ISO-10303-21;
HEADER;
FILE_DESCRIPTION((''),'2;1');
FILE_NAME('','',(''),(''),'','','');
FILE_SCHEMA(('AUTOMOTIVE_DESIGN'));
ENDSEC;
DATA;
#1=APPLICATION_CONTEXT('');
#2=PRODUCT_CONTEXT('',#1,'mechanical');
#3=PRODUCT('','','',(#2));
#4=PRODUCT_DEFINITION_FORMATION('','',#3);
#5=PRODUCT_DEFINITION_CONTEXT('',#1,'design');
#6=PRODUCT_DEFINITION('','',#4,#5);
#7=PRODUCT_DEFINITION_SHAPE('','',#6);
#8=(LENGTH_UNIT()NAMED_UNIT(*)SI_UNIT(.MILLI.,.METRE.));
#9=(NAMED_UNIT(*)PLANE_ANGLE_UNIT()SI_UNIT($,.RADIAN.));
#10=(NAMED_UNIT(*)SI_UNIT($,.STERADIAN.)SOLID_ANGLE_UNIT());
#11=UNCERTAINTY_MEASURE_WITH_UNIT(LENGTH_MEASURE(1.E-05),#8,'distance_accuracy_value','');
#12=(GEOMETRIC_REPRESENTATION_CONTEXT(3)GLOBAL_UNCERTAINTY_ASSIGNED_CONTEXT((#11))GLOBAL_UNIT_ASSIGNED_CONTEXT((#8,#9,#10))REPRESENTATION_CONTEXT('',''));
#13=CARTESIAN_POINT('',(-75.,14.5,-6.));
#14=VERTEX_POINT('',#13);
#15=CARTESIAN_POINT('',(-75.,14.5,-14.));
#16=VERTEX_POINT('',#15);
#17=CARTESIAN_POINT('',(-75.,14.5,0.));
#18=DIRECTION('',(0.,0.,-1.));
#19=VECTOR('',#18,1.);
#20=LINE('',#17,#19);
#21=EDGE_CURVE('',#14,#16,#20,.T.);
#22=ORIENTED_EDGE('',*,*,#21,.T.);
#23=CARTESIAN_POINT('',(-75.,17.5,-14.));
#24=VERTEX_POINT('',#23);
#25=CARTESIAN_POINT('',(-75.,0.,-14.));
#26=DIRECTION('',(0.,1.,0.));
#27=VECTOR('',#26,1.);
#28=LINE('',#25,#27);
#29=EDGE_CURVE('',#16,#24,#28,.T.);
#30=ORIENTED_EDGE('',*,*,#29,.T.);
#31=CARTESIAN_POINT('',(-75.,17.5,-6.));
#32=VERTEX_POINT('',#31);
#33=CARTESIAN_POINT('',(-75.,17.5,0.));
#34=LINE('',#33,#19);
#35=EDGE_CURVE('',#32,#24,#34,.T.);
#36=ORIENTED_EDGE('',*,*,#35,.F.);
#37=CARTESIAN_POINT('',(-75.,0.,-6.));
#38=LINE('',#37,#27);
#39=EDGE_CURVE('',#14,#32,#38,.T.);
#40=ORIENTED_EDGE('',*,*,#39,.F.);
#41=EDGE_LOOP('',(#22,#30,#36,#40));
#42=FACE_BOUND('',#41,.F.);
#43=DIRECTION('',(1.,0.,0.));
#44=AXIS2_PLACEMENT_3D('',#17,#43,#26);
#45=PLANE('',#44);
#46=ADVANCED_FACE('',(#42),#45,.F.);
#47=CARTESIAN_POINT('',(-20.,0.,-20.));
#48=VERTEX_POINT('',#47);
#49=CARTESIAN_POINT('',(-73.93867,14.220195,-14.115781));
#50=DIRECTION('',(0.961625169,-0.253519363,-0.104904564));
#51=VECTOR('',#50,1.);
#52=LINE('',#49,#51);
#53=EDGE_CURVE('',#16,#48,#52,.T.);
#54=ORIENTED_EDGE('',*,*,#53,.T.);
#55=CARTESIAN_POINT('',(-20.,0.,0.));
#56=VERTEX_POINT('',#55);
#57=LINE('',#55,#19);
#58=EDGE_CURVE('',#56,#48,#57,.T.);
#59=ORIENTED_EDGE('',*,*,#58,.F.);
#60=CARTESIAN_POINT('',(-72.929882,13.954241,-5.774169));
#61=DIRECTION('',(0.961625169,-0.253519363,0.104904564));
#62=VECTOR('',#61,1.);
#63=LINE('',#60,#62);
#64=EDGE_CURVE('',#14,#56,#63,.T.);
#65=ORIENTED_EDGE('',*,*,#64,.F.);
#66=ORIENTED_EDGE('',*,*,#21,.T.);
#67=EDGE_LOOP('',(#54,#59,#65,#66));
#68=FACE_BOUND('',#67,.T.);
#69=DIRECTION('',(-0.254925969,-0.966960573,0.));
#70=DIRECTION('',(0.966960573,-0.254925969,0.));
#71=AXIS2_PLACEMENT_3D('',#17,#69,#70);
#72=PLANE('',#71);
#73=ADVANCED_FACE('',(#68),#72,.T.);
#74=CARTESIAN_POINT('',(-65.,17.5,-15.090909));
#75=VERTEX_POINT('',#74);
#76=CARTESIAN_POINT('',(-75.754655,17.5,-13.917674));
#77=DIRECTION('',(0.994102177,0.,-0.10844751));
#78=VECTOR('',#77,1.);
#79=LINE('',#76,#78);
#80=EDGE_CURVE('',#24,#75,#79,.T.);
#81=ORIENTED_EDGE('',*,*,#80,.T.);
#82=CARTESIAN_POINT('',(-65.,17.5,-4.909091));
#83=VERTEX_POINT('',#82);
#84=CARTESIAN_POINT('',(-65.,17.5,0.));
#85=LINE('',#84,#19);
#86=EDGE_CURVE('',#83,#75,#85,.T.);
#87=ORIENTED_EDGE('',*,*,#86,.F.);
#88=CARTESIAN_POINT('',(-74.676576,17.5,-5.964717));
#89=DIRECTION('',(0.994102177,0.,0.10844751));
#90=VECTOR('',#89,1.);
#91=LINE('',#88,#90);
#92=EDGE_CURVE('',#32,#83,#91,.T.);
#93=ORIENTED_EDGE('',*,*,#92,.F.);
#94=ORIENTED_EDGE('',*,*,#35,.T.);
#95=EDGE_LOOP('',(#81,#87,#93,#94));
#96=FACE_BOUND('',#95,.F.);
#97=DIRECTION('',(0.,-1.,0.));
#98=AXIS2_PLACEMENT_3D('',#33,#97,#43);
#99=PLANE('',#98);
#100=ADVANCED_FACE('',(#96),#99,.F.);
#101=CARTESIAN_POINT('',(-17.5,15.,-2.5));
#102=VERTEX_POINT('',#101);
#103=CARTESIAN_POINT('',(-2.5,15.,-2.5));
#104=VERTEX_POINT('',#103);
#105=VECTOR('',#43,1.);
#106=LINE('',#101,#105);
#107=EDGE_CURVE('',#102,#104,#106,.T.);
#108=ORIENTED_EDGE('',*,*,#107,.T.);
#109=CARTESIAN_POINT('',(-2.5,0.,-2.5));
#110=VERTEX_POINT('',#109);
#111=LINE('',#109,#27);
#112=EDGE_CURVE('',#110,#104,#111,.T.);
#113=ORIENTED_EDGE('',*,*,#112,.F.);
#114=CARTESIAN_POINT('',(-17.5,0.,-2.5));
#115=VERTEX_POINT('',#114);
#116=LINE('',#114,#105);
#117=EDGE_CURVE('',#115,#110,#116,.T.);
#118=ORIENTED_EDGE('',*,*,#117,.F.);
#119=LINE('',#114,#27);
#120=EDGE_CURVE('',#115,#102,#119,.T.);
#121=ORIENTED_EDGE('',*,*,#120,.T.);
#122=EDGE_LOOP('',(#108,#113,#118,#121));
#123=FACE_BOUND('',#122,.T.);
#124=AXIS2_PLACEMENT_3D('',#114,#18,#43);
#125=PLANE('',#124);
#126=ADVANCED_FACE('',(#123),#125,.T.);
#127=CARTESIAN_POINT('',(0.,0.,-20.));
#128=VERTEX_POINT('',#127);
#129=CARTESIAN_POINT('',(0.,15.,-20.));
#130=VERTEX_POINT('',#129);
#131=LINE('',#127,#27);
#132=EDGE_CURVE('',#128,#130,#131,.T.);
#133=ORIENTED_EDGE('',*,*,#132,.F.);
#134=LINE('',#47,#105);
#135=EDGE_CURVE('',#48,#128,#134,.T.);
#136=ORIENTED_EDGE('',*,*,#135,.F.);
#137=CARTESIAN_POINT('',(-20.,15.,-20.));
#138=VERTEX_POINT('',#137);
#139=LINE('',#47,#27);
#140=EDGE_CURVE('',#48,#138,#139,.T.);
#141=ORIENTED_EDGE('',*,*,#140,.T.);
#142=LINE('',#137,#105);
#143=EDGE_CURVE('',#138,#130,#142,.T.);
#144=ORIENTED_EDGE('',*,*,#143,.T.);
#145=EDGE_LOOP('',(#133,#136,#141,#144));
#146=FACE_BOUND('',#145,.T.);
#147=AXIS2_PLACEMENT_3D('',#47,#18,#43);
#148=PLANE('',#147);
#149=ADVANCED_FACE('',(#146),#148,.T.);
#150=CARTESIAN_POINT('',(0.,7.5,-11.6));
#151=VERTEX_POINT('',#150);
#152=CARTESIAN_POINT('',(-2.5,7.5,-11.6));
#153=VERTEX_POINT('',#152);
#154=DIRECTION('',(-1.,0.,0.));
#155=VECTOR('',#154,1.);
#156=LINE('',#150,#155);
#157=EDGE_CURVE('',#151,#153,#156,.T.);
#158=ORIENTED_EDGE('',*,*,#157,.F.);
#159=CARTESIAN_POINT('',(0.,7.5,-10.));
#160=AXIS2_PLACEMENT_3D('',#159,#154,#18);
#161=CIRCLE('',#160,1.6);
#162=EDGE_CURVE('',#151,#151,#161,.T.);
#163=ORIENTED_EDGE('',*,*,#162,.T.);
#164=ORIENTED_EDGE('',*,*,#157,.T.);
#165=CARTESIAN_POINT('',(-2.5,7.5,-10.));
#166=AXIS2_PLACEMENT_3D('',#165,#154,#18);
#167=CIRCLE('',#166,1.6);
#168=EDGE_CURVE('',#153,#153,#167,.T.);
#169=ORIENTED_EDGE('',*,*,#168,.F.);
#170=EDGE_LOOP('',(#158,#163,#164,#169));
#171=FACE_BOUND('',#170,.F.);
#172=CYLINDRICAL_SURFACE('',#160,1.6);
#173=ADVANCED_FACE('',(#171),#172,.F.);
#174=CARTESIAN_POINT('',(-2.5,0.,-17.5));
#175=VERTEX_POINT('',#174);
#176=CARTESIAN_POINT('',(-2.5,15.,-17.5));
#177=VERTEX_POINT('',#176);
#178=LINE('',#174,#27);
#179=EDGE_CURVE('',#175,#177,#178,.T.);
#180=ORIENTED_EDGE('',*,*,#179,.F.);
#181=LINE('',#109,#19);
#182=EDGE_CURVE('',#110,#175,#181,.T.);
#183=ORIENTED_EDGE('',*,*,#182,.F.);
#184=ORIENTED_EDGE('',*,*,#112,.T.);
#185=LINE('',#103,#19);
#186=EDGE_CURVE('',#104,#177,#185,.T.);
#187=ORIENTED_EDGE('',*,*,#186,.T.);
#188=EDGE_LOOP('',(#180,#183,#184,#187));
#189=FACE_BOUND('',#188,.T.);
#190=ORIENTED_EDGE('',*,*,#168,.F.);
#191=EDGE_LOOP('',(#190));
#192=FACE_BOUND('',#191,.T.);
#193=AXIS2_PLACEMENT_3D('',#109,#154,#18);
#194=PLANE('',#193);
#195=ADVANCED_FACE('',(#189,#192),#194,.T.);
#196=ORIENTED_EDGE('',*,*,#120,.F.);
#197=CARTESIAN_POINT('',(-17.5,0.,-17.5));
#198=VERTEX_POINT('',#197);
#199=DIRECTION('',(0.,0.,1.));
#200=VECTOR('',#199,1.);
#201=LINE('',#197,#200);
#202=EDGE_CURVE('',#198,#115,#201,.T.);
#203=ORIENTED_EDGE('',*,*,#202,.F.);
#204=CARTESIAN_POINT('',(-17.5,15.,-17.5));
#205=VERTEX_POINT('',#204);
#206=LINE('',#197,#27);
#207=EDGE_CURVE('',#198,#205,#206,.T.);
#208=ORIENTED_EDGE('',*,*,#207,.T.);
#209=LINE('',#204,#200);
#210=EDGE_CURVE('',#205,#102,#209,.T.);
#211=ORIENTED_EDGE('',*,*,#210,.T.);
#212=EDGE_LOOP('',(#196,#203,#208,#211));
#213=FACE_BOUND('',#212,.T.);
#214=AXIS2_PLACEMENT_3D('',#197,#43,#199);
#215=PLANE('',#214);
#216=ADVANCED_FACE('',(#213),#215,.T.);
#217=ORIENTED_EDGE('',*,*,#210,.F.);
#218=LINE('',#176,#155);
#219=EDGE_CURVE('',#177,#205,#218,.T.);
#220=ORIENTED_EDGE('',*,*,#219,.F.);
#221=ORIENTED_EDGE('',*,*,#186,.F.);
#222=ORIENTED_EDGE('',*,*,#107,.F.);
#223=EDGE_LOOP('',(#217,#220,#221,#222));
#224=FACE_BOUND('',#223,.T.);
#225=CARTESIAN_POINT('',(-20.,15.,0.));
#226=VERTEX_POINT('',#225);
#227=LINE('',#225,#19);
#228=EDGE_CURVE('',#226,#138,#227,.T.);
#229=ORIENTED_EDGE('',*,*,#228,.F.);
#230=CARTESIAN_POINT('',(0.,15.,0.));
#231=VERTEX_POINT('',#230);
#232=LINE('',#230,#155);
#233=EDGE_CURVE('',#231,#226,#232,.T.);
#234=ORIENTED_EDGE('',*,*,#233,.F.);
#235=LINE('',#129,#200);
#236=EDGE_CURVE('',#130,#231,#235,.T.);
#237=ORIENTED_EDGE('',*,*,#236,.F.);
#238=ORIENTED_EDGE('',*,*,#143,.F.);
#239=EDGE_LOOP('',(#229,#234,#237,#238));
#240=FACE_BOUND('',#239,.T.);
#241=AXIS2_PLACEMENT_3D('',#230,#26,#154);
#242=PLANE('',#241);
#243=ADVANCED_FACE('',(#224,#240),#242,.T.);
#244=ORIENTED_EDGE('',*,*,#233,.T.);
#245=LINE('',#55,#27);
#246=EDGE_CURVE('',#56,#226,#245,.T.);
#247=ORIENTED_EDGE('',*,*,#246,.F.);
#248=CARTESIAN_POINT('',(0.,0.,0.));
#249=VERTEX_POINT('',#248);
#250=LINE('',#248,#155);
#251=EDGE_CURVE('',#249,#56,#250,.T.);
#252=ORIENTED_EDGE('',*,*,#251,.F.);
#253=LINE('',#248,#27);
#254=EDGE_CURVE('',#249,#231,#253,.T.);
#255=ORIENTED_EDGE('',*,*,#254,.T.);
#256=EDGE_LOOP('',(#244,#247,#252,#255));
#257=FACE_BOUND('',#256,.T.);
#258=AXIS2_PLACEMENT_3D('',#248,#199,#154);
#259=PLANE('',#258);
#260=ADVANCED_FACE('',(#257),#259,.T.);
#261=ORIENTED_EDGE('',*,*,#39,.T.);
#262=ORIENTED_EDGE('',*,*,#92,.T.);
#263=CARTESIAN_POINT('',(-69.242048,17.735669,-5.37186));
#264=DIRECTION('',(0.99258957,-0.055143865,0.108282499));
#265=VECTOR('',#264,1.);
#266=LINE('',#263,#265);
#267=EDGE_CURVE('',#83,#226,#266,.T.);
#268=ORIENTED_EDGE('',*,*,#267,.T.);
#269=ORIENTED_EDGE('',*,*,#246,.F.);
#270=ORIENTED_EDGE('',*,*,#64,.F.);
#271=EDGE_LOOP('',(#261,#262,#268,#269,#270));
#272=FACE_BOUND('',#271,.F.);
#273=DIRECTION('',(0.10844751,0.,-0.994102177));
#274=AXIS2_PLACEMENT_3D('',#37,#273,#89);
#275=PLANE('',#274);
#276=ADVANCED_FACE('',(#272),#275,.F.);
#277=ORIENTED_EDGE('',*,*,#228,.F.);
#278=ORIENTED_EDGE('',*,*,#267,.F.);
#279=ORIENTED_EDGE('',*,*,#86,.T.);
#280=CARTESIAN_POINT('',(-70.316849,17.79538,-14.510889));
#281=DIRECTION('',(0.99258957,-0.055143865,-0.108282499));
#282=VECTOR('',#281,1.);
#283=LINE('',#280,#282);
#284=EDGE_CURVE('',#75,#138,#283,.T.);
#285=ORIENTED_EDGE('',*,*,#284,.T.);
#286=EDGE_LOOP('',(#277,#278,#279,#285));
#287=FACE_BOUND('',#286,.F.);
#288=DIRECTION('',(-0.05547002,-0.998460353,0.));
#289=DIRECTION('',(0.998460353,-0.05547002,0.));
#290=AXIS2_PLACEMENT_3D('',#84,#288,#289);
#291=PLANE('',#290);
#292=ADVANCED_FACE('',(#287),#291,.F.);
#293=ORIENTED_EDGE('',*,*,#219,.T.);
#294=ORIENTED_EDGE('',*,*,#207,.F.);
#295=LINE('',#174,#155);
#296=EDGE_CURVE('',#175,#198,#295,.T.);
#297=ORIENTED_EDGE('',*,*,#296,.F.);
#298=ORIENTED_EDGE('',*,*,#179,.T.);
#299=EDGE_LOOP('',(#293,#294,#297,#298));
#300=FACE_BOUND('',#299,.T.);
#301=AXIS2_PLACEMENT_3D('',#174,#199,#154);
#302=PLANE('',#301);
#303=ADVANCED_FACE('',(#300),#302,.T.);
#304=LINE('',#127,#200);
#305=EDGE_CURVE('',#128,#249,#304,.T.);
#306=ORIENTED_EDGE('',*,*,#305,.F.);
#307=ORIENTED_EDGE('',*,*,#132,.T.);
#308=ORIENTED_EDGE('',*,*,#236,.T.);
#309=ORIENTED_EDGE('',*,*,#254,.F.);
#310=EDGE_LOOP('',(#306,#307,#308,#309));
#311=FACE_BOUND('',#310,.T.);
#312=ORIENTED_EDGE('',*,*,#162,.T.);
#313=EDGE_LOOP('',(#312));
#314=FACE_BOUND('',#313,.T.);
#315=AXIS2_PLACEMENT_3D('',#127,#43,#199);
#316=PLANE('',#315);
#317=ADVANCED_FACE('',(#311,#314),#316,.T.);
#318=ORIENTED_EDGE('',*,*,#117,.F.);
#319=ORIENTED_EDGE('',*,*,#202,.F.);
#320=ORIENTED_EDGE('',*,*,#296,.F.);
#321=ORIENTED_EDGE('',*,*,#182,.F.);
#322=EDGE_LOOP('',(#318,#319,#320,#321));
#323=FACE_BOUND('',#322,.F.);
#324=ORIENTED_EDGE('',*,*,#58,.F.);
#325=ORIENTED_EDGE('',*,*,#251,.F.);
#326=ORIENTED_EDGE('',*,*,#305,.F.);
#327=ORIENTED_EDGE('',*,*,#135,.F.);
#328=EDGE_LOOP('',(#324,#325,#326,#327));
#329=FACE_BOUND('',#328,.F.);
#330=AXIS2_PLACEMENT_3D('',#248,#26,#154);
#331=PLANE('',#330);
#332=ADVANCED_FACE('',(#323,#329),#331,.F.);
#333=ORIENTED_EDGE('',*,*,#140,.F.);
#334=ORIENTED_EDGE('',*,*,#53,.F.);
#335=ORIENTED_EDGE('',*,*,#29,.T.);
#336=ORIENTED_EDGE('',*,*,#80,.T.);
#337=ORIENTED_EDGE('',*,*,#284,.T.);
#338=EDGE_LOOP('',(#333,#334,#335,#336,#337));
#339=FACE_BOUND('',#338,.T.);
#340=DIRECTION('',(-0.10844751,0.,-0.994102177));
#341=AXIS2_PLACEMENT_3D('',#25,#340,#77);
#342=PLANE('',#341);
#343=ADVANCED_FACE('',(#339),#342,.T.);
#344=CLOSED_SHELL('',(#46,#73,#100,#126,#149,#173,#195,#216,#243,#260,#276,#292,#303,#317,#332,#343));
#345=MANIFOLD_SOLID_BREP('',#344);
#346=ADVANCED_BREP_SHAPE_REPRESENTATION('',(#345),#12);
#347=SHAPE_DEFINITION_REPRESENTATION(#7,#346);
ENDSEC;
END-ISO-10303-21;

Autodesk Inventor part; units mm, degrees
ref_plane "YZ Plane" through (0, 0, 0) normal (1, 0, 0) x (0, 1, 0)
ref_plane "XZ Plane" through (0, 0, 0) normal (0, 1, 0) x (-1, 0, 0)
ref_plane "XY Plane" through (0, 0, 0) normal (0, 0, 1) x (1, 0, 0)
sketch "スケッチ1" plane through (0, 0, 0) normal (0, 1, 0) x (-1, 0, 0)
  line L0 (0, 0) -> (20, 0)
  line L1 (20, 0) -> (20, -20)
  line L2 (20, -20) -> (0, -20)
  line L3 (0, -20) -> (0, 0)
  line L4 (17.5, -2.5) -> (2.5, -2.5)
  line L5 (2.5, -2.5) -> (2.5, -17.5)
  line L6 (2.5, -17.5) -> (17.5, -17.5)
  line L7 (17.5, -17.5) -> (17.5, -2.5)
  dimension "d0" = 20
  dimension "d1" = 20
  dimension "d2" = 15
  dimension "d3" = 15
  dimension "d4" = 2.5
  dimension "d5" = 2.5
extrude "押し出し1" add sketch "スケッチ1" along normal blind 15
sketch "スケッチ2" plane through (-20, 0, 0) normal (0, 0, 1) x (1, 0, 0)
  line L0 (20, 0) -> (-55, 0)
  line L1 (-55, 0) -> (-55, 17.5)
  line L2 (-55, 17.5) -> (20, 17.5)
  line L3 (20, 17.5) -> (20, 0)
  line L4 (-55, 17.5) -> (-45, 17.5)
  line L5 (-45, 17.5) -> (-45, 14.5)
  line L6 (-45, 14.5) -> (-55, 14.5)
  line L7 (-55, 14.5) -> (-55, 17.5)
  line L8 (0, 0) -> (0, 15) projected
  line L9 (-55, 14.5) -> (0, 0)
  line L10 (-45, 17.5) -> (0, 15)
  point P0 (-45, 17.5)
  dimension "d8" = 75
  dimension "d9" = 17.5
  dimension "d10" = 10
  dimension "d11" = 3
extrude "押し出し2" add sketch "スケッチ2" against normal blind 20 contours L9 L6 L5 L10 L8 | L1 L2 L5 L6
sketch "スケッチ3" plane through (0, 0, 0) normal (0, -1, 0) x (1, 0, 0)
  line L0 (-75, 0) -> (-75, -20) projected
  line L1 (0, 0) -> (0, -20) projected
  line L2 (-75, -14) -> (0, -14)
  line L3 (0, -14) -> (0, -6)
  line L4 (0, -6) -> (-75, -6)
  line L5 (-75, -6) -> (-75, -14)
  line L6 (-20, -20) -> (-75, -20) projected
  line L7 (-75, -14) -> (-20, -20)
  line L8 (-20, 0) -> (0, 0) projected
  line L9 (-75, -6) -> (-20, 0)
  line L10 (-75, -20) -> (-20, -20)
  line L11 (-20, -20) -> (-20, 0)
  line L12 (-20, 0) -> (-75, 0)
  line L13 (-75, 0) -> (-75, -20)
  dimension "d14" = 8
  dimension "d15" = 6
extrude "押し出し3" cut sketch "スケッチ3" against normal through all contours L12 L9 L0 | L7 L6 L0
sketch "スケッチ4" plane through (0, 0, 0) normal (1, 0, 0) x (0, 0, -1)
  line L0 (0, 0) -> (0, 15) projected
  line L1 (0, 7.5) -> (20, 7.5)
  line L2 (20, 0) -> (20, 15) projected
  point P0 (10, 7.5)
hole "穴1" at (0, 7.5, -10) direction (-1, 0, 0) diameter 3.2 depth 8 tip angle 118
properties part number "endeff_3dp4" material "ABS プラスチック"
